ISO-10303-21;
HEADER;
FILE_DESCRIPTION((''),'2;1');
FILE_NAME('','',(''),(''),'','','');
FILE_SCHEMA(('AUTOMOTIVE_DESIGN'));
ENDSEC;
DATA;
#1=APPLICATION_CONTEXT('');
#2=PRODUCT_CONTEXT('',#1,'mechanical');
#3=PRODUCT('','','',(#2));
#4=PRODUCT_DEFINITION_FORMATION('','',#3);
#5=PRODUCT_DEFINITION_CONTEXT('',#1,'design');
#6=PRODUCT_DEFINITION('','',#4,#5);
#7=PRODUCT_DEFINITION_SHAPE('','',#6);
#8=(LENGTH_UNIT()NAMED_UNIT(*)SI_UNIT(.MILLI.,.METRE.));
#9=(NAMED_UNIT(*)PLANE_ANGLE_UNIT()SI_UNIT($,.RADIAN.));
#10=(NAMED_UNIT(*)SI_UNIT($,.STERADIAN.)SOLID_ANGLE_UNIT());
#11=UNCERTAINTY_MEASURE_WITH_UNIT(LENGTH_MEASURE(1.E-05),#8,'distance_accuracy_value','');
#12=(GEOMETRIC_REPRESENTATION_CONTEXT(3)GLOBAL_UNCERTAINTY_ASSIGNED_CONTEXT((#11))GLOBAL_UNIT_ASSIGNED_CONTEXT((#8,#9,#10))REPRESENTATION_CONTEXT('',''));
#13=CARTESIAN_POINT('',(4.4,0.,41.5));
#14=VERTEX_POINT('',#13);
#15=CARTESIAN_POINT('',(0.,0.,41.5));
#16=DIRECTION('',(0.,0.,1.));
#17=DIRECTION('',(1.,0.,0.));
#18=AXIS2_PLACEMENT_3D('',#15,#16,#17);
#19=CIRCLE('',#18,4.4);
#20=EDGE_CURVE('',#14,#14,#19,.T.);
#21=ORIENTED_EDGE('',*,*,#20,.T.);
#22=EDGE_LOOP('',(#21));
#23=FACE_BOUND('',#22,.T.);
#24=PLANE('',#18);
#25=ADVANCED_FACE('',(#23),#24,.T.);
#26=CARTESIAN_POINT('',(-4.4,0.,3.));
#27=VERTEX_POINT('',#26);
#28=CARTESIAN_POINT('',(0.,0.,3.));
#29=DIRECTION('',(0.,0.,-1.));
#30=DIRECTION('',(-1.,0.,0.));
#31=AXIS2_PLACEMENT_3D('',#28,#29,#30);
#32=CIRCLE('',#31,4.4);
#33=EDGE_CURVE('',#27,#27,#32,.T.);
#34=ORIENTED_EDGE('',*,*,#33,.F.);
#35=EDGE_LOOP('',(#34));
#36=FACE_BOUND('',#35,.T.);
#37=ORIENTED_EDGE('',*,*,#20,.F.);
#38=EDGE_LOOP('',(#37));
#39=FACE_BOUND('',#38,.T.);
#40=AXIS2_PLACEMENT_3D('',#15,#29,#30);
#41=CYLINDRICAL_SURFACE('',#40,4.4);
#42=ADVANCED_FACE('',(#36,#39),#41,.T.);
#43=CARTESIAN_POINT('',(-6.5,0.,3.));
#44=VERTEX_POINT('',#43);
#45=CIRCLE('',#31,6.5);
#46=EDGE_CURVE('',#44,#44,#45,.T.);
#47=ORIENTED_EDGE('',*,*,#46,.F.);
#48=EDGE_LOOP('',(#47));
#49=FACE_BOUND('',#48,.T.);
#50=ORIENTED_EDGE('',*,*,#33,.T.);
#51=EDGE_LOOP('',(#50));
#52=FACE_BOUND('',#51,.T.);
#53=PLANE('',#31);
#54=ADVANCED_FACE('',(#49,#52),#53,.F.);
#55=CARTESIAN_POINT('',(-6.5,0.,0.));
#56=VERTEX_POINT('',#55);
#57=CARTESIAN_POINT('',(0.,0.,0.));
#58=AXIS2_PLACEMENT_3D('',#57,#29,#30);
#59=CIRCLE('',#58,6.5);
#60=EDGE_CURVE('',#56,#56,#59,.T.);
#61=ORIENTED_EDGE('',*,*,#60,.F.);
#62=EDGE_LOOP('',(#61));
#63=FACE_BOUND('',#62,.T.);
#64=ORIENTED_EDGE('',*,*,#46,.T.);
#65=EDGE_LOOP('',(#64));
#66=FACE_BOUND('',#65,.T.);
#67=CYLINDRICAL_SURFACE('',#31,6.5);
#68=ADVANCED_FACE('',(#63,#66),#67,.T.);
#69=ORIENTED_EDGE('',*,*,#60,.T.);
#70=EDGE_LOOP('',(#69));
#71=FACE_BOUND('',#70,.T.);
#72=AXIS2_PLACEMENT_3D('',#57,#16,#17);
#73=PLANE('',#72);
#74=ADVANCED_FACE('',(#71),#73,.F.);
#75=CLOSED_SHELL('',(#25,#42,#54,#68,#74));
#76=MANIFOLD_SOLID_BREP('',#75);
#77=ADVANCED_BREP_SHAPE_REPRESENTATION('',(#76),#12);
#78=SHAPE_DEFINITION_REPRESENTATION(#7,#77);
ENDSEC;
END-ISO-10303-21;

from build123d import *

# Parameters (mm, degrees)
SKETCH1_R           = 4.4
BOSS_EXTRUDE1_DEPTH = 41.5
SKETCH2_R           = 6.5
BOSS_EXTRUDE2_DEPTH = 3


with BuildPart() as part:
    # Sketch1 → Boss-Extrude1 (new body)
    with BuildSketch(Plane.XY):
        Circle(SKETCH1_R)
    extrude(amount=BOSS_EXTRUDE1_DEPTH)

    # Sketch2 → Boss-Extrude2 (add)
    with BuildSketch(Plane(origin=(0, 0, 0), x_dir=(-1, 0, 0), z_dir=(0, 0, -1))):
        Circle(SKETCH2_R)
    extrude(amount=-BOSS_EXTRUDE2_DEPTH)


solid = part.part
